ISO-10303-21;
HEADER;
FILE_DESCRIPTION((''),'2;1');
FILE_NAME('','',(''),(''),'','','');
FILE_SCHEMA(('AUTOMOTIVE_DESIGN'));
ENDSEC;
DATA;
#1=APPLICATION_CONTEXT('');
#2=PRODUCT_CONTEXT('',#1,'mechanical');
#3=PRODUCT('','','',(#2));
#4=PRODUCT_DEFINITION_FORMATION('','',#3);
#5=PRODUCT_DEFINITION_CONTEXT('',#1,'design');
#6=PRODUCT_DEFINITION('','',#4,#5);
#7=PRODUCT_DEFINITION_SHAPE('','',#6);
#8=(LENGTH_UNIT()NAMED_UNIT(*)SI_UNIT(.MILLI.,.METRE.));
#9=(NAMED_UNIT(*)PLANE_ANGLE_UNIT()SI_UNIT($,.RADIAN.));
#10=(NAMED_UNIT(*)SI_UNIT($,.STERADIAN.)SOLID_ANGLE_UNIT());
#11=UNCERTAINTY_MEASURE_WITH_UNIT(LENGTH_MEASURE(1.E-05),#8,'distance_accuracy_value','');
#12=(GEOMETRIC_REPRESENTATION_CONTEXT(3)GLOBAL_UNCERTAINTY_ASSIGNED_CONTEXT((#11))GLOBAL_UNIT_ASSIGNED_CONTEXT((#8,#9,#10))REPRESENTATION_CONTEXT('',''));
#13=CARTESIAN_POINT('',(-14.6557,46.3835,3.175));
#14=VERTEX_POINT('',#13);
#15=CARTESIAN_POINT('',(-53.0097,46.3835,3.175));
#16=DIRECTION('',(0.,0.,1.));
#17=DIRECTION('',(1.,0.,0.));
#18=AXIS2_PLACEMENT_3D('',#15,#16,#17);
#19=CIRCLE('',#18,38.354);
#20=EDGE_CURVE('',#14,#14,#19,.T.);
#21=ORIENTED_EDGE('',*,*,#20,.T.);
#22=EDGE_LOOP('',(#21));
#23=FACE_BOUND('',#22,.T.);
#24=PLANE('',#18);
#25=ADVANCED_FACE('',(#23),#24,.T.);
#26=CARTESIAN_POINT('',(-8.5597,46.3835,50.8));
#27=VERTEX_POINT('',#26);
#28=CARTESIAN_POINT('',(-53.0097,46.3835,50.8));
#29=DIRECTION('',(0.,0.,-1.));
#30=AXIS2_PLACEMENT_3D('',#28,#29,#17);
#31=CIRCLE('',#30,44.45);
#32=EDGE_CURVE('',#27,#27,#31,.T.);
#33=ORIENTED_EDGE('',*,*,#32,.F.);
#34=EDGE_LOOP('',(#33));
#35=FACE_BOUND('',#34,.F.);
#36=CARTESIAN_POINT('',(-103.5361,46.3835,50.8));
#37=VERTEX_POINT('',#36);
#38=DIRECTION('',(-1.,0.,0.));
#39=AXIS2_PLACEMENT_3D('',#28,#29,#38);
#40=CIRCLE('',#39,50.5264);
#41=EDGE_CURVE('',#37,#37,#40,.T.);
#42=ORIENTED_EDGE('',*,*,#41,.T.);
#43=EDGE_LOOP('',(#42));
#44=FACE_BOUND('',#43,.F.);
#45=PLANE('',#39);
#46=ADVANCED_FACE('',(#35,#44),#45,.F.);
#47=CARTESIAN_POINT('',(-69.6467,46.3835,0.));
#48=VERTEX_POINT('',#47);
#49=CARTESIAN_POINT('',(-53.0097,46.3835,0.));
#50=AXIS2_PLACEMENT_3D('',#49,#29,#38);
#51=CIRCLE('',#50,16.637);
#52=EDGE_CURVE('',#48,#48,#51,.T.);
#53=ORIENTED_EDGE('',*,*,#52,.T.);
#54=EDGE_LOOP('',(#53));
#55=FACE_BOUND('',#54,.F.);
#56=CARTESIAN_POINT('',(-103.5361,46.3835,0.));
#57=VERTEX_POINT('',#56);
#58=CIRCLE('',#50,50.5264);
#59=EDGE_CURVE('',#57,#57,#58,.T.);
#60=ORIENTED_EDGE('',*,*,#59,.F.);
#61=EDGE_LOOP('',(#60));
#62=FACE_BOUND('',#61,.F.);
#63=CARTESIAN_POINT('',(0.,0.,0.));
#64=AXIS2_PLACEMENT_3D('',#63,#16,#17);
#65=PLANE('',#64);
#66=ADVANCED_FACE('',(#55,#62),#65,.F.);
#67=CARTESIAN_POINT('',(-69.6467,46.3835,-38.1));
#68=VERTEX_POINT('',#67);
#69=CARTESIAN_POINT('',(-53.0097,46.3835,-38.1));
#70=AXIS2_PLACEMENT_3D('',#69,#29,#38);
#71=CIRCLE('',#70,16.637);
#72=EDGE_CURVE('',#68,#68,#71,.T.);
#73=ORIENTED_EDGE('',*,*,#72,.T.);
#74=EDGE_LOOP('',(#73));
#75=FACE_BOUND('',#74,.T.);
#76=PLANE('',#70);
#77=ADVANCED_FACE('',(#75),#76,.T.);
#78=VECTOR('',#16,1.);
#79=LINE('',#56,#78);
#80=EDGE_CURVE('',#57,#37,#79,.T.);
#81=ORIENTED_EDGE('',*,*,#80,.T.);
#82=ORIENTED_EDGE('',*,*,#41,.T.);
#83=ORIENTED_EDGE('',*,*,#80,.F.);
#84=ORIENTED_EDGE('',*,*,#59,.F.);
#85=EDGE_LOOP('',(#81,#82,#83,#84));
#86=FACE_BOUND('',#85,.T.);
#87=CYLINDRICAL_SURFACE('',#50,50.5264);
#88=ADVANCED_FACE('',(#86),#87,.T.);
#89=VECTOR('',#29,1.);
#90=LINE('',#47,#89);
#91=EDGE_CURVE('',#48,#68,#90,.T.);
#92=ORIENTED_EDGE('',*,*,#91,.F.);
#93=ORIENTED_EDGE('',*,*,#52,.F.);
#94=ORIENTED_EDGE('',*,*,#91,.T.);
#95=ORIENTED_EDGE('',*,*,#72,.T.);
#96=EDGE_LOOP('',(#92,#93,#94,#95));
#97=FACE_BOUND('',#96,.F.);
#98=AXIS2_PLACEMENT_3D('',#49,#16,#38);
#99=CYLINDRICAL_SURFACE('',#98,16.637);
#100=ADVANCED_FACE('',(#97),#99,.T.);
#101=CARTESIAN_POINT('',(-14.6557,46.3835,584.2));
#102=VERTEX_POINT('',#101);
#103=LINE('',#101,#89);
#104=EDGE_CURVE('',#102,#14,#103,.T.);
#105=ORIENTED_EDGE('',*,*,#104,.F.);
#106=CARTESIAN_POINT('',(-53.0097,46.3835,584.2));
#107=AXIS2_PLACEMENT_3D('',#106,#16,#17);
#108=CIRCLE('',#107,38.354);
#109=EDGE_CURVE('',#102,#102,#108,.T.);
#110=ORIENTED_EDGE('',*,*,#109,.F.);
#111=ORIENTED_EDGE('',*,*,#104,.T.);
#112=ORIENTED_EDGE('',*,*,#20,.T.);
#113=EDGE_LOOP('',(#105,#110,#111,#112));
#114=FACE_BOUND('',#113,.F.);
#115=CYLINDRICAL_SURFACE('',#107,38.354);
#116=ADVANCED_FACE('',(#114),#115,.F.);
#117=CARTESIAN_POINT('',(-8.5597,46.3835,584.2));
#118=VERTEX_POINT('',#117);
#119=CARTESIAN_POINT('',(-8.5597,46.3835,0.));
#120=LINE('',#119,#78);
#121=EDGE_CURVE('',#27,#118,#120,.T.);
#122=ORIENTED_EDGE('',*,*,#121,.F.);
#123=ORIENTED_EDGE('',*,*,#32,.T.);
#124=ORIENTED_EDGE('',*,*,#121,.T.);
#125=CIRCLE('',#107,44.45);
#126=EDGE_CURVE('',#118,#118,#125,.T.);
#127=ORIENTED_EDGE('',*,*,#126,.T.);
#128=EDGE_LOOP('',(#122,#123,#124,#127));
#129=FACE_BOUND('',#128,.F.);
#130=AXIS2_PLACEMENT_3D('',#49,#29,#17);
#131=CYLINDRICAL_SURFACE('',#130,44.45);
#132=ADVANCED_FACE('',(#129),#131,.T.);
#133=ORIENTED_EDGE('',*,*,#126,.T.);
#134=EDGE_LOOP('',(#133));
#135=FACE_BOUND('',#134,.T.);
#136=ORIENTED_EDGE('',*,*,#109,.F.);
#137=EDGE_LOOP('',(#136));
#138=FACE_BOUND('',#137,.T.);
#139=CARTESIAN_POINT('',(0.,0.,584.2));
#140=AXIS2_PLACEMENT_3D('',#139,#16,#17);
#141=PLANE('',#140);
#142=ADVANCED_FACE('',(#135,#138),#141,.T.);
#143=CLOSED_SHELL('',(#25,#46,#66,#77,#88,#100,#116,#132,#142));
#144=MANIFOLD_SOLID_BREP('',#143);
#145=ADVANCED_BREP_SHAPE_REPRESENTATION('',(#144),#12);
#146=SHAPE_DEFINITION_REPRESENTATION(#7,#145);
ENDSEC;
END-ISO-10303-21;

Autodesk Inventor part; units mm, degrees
ref_plane "YZ Plane" through (0, 0, 0) normal (1, 0, 0) x (0, 1, 0)
ref_plane "XZ Plane" through (0, 0, 0) normal (0, 1, 0) x (-1, 0, 0)
ref_plane "XY Plane" through (0, 0, 0) normal (0, 0, 1) x (1, 0, 0)
sketch "Sketch1" plane through (0, 0, 0) normal (0, 0, 1) x (1, 0, 0)
  circle A0 centre (-53.0097, 46.3835) radius 44.45
  point P0 (0, 0)
  dimension "d0" = 88.9
extrude "Extrusion1" add sketch "Sketch1" along normal blind 584.2
sketch "Sketch2" plane through (-53.0097, 46.3835, 0) normal (0, 0, -1) x (-1, 0, 0)
  circle A0 centre (0, 0) radius 44.45 projected
  circle A1 centre (0, 0) radius 50.5264
  point P0 (-53.0097, -46.3835)
  dimension "d3" = 6.0764
extrude "Extrusion2" add sketch "Sketch2" against normal blind 50.8 contours A0 | A1
sketch "Sketch3" plane through (-53.0097, 46.3835, 584.2) normal (0, 0, 1) x (1, 0, 0)
  circle A0 centre (0, 0) radius 44.45 projected
  circle A1 centre (0, 0) radius 38.354
  point P0 (53.0097, -46.3835)
  dimension "d6" = 6.096
extrude "Extrusion3" cut sketch "Sketch3" against normal blind 581.025 contours A1
sketch "Sketch4" plane through (-53.0097, 46.3835, 0) normal (0, 0, -1) x (-1, 0, 0)
  circle A0 centre (0, 0) radius 16.637
  point P0 (-53.0097, -46.3835)
  dimension "d9" = 33.274
extrude "Extrusion4" add sketch "Sketch4" along normal blind 38.1
thread "Thread1" size "1 5/16-8 UN" class "2A" standard "ANSI Unified Screw Threads" full length
properties part number "long pipe"
